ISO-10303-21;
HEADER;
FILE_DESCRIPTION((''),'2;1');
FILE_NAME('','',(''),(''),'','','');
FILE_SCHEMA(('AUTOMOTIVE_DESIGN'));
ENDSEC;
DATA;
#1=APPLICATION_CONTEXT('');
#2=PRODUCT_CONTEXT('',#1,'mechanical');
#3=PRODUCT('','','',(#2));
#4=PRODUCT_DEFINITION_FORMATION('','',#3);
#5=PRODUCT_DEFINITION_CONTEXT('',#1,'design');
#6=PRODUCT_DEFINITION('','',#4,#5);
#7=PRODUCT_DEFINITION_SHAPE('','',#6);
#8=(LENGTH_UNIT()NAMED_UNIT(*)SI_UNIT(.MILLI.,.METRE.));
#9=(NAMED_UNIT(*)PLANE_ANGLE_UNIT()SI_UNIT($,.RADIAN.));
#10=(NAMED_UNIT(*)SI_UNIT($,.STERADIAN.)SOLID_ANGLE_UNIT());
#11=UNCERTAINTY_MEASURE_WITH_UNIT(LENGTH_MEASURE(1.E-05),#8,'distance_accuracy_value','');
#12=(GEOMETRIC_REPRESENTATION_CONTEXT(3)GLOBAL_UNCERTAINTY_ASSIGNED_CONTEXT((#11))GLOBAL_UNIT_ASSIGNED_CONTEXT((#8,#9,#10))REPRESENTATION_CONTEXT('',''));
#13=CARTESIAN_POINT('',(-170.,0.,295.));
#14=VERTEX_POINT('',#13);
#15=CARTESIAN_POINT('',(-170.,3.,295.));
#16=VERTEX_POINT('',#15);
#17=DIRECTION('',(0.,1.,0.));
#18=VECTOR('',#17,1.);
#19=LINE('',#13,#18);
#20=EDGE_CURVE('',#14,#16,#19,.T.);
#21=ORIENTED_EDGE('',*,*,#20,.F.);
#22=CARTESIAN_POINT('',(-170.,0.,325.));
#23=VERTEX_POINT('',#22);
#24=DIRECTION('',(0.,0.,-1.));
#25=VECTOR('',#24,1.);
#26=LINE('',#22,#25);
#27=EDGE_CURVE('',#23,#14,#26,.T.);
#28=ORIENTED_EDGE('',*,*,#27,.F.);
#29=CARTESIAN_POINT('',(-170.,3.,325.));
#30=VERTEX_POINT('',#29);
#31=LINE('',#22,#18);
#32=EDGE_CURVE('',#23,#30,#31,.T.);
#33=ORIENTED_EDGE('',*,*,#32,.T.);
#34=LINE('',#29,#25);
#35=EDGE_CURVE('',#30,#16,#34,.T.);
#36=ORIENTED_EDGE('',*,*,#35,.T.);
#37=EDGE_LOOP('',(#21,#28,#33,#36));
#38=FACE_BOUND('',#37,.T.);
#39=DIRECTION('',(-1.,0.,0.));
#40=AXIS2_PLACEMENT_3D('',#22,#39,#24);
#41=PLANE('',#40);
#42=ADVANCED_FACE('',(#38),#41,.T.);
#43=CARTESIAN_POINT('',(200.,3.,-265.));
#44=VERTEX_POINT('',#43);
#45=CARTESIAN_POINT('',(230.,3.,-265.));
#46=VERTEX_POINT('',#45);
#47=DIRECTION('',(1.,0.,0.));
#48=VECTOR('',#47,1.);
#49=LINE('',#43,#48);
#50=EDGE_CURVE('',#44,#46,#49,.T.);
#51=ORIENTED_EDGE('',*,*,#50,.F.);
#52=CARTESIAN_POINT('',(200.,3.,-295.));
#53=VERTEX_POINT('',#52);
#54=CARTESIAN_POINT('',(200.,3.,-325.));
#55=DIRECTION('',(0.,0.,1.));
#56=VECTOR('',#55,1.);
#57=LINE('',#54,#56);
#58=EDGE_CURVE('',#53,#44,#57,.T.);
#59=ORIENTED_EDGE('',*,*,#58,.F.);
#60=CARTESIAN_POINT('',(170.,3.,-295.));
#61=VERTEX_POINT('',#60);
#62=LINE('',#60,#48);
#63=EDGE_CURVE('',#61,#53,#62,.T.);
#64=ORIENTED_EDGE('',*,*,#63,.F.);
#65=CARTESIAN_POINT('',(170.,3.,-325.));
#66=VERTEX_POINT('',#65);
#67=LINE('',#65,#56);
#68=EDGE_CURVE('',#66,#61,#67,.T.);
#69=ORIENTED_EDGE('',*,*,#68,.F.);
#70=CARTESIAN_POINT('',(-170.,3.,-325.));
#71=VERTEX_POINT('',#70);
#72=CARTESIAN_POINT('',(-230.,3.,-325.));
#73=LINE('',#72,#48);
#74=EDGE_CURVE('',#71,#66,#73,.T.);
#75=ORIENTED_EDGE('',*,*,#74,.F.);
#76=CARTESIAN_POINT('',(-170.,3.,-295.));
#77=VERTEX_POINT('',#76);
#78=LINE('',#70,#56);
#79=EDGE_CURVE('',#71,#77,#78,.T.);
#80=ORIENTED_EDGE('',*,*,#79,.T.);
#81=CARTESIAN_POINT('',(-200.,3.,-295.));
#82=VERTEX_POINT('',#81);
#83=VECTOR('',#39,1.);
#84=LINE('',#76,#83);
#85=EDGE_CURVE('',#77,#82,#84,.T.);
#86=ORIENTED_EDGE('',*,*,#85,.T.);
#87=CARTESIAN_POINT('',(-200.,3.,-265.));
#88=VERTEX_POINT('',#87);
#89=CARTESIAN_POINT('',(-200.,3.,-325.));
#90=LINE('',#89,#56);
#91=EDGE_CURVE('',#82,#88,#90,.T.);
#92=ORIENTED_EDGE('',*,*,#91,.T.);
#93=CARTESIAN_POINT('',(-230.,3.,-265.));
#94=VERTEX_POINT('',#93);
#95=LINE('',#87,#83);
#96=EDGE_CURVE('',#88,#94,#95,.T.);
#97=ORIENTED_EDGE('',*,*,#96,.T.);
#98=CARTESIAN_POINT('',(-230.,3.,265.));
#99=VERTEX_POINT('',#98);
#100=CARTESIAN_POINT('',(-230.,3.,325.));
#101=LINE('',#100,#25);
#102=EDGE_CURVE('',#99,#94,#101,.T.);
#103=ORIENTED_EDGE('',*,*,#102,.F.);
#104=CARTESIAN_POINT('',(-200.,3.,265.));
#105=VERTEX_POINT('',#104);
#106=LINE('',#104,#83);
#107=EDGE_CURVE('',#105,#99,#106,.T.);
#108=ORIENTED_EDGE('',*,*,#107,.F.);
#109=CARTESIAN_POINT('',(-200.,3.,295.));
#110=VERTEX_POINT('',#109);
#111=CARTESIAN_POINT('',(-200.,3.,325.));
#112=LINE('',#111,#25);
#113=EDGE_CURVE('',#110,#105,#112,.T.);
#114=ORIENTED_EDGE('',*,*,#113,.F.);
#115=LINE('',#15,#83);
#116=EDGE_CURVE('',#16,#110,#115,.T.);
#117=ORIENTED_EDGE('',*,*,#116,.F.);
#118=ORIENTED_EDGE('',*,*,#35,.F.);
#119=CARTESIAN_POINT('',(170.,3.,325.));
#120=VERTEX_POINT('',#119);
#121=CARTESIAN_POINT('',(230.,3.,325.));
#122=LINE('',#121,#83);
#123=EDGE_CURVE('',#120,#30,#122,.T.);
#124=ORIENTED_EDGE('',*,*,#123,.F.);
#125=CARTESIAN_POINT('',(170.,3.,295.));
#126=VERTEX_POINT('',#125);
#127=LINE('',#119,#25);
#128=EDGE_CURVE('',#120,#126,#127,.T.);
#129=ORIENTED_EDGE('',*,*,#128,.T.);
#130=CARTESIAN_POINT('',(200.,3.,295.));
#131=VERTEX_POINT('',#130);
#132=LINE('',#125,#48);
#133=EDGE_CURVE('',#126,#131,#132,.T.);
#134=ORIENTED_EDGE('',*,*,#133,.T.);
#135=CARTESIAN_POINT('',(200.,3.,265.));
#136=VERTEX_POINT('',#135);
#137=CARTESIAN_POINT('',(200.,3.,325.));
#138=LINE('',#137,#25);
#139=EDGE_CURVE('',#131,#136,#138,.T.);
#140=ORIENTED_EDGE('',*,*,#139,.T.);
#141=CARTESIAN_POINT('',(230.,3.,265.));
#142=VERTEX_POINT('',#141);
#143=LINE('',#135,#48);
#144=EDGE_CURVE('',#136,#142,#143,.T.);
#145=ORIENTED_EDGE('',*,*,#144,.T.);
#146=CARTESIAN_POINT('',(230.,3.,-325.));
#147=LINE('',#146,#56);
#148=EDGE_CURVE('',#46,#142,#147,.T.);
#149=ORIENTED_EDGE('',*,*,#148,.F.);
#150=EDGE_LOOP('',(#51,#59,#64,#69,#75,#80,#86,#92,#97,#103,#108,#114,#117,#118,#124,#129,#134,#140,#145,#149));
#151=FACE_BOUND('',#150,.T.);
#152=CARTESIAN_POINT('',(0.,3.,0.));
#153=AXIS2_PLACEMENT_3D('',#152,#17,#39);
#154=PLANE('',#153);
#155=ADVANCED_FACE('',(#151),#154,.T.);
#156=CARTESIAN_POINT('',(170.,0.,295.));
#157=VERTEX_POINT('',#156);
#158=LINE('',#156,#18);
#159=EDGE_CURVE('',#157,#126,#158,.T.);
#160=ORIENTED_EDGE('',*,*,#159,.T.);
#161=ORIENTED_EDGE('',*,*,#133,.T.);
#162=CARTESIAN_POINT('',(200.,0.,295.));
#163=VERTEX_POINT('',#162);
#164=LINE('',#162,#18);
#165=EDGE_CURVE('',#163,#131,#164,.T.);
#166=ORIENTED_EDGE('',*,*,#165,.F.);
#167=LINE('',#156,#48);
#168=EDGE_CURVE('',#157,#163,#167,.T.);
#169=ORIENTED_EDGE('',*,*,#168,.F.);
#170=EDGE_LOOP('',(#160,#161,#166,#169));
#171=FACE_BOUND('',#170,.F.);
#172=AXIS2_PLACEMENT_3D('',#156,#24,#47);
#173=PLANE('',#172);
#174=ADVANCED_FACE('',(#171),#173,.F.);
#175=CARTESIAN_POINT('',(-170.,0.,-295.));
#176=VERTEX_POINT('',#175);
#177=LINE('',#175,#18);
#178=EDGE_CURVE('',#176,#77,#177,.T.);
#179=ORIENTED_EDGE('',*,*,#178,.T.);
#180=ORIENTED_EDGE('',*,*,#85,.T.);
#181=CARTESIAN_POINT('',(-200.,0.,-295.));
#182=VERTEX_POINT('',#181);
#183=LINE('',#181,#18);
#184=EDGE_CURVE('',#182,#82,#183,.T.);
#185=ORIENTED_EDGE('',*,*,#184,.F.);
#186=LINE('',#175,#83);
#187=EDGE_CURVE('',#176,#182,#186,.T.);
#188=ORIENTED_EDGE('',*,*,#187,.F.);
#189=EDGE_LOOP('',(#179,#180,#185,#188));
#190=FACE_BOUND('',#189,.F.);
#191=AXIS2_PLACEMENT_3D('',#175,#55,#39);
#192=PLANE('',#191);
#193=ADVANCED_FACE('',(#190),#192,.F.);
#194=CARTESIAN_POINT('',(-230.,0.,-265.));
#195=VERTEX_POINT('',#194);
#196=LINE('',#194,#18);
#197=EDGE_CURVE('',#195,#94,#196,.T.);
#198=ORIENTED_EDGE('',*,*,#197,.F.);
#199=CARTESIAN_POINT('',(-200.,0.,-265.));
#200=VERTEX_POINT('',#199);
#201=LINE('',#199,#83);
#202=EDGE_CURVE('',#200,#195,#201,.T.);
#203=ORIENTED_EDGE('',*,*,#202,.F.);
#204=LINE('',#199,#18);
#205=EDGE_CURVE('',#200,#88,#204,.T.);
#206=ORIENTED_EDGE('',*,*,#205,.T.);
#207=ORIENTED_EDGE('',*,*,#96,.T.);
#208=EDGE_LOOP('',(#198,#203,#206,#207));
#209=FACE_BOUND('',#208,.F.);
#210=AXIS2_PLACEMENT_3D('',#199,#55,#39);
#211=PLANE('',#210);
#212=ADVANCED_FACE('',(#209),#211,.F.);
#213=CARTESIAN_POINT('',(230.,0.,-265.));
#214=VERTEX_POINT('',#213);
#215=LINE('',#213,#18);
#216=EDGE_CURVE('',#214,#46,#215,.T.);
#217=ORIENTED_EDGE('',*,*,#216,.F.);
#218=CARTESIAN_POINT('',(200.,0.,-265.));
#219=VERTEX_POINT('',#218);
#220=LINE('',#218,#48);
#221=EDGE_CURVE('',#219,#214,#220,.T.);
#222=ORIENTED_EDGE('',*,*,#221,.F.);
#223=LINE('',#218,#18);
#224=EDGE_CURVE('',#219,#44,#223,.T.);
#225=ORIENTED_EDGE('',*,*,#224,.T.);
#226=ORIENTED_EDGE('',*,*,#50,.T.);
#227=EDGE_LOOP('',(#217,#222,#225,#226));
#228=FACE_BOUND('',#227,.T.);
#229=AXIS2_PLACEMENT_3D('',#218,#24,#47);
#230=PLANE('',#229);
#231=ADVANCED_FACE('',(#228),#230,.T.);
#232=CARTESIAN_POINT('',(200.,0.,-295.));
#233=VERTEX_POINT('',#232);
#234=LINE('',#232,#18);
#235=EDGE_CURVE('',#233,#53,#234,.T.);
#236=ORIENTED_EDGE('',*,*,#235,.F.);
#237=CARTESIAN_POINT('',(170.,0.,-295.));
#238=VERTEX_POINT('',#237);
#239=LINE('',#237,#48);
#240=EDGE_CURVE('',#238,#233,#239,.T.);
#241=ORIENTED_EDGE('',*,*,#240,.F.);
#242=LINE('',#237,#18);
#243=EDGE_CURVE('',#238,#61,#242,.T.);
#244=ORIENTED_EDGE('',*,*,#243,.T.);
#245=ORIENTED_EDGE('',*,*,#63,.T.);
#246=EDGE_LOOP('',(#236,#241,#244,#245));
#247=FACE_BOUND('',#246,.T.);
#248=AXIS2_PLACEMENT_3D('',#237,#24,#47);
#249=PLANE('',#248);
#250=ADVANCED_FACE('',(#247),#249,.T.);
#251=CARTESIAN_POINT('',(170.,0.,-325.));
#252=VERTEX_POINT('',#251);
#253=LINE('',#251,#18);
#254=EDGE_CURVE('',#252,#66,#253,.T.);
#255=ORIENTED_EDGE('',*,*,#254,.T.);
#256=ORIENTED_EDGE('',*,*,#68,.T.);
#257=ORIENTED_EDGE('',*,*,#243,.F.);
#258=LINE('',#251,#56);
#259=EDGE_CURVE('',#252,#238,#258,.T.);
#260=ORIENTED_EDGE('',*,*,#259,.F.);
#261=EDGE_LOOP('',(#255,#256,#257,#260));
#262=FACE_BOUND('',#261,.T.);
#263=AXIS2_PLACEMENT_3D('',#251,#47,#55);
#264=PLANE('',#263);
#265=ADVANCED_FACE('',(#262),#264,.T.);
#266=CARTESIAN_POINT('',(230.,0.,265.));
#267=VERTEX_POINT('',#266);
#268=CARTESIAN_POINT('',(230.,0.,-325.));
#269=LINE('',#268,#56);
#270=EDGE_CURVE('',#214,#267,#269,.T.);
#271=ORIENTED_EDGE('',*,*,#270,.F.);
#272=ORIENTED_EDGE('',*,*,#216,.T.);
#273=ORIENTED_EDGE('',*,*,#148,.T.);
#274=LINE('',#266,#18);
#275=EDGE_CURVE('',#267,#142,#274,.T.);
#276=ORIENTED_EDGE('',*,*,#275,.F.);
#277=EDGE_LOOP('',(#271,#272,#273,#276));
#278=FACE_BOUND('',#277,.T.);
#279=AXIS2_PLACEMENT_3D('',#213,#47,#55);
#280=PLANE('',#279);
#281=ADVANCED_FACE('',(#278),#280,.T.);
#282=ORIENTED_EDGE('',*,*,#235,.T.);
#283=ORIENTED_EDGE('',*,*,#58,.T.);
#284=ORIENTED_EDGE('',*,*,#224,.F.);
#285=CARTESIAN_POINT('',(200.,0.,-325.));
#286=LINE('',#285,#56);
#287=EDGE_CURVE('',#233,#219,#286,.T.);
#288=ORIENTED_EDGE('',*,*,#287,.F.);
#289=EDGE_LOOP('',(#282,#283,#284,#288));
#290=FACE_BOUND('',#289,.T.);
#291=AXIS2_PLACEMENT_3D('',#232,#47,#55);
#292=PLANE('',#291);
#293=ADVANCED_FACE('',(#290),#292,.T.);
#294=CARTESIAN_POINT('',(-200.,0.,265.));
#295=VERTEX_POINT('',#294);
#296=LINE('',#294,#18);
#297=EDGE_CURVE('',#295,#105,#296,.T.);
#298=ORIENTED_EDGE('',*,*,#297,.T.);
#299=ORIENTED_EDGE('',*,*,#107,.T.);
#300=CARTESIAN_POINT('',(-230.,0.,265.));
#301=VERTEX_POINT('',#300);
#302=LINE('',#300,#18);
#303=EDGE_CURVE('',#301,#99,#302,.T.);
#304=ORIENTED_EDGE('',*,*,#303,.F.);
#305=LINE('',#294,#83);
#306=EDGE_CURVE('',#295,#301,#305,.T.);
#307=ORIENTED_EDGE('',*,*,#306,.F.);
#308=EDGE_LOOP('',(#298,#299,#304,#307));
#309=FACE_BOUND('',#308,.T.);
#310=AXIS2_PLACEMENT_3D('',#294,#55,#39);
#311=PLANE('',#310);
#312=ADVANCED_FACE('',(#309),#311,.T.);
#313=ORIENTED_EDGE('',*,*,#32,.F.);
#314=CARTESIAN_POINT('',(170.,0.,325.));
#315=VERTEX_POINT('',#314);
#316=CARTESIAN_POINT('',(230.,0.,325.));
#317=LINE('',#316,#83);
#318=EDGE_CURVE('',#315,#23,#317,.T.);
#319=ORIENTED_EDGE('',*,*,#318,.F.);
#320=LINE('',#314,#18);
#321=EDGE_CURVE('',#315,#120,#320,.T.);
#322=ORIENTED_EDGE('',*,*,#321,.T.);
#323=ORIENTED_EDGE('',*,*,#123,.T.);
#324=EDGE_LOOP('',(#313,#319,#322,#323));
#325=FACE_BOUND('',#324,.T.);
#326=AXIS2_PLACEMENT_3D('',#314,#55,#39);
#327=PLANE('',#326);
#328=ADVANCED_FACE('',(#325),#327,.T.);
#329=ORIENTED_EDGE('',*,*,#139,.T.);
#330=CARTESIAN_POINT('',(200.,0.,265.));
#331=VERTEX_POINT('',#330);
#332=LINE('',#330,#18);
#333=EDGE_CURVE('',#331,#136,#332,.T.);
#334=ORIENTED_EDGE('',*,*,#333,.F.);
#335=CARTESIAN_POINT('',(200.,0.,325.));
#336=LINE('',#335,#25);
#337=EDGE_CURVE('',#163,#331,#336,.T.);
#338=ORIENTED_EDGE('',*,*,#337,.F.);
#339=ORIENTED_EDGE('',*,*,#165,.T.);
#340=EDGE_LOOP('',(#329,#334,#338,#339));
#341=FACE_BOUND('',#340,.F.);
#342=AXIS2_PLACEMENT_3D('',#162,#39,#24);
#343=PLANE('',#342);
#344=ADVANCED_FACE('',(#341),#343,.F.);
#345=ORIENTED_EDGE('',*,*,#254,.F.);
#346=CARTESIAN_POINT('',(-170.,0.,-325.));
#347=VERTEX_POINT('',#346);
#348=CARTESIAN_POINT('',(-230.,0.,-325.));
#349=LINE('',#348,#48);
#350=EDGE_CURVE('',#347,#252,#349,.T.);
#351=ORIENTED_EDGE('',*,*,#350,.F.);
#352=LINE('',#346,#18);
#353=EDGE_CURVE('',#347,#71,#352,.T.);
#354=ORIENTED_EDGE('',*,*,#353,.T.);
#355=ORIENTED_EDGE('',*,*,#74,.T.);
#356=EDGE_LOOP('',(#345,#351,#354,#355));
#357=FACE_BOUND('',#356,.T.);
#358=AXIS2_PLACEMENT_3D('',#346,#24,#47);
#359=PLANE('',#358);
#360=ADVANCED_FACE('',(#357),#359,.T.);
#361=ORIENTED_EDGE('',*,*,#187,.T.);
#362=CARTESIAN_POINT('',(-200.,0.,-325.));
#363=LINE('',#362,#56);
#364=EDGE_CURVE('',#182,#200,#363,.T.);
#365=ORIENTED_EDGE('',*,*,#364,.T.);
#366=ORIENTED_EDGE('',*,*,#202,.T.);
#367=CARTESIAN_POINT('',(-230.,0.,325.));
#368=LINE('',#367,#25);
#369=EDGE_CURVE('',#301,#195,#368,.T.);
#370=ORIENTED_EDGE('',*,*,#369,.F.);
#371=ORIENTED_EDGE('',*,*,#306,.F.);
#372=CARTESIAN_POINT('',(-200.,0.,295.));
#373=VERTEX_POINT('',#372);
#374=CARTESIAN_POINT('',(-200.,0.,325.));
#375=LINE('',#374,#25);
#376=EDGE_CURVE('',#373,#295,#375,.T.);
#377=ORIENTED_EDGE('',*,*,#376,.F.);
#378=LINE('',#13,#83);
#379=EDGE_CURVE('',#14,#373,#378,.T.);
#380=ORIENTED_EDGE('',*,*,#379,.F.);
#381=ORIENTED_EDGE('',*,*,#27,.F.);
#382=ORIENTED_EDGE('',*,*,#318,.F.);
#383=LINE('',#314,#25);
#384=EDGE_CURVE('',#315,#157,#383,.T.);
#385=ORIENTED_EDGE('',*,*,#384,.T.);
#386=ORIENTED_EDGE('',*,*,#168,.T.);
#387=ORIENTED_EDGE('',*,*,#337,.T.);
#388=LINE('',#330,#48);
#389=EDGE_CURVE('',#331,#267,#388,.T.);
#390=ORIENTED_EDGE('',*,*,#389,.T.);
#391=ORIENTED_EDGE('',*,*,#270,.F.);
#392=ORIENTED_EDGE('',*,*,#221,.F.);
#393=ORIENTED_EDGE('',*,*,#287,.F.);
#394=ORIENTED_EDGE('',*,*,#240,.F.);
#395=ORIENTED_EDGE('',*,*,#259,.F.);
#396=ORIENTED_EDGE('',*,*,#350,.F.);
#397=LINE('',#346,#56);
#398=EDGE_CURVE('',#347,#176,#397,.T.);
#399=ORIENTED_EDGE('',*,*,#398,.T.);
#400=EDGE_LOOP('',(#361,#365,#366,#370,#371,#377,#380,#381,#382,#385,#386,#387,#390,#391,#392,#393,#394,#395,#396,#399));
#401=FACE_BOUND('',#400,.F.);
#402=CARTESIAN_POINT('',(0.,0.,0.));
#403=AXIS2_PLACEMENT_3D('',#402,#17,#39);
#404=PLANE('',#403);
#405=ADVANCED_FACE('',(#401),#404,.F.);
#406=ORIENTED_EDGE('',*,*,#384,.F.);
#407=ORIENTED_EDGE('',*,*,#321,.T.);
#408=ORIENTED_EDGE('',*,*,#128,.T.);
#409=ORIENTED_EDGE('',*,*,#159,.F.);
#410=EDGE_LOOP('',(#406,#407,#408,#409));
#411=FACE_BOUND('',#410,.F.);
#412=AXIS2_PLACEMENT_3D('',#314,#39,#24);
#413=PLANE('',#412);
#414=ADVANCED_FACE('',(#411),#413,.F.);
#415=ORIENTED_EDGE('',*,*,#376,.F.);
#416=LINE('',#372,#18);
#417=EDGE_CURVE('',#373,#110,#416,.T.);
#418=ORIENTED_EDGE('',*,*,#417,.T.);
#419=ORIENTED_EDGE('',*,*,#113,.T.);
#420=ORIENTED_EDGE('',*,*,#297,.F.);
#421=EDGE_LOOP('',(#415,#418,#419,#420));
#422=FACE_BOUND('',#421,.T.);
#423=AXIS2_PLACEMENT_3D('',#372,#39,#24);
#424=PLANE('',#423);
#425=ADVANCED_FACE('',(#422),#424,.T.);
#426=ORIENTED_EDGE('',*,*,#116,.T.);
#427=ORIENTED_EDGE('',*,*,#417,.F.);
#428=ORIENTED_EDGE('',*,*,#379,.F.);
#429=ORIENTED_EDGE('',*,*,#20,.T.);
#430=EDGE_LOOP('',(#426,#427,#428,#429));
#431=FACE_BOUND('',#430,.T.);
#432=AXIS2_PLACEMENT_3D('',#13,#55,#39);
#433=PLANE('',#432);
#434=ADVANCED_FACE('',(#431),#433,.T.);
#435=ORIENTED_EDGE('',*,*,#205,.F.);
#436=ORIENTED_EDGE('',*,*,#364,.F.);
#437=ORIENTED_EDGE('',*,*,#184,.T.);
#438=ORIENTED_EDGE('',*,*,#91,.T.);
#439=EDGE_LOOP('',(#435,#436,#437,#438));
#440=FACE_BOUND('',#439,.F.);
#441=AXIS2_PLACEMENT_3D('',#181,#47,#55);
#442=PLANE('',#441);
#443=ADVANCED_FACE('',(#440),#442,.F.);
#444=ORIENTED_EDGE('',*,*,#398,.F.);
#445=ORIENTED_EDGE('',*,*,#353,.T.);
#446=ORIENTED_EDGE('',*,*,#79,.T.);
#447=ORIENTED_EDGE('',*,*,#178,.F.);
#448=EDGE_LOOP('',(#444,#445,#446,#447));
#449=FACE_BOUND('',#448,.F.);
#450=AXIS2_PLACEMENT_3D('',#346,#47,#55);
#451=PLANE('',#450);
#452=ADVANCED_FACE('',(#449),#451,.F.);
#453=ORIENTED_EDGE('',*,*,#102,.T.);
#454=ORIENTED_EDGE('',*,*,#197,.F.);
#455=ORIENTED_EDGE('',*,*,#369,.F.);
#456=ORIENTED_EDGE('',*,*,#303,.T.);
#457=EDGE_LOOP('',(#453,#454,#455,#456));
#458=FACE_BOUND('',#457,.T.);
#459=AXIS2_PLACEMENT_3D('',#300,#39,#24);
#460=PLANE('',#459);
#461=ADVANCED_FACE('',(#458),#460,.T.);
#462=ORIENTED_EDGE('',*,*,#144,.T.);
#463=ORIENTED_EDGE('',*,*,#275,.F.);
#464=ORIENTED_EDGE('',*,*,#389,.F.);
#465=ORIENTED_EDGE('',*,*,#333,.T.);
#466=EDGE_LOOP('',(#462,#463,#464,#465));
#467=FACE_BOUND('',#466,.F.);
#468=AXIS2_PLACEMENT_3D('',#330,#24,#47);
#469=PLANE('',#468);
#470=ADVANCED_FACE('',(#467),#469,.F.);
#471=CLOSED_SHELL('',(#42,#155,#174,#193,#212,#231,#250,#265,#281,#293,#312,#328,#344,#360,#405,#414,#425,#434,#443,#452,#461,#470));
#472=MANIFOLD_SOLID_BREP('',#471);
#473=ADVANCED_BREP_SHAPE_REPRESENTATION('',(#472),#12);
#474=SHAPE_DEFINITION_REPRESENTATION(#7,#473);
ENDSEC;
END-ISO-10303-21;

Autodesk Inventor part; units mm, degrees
sketch "Эскиз1" plane through (0, 0, 0) normal (0, 1, 0) x (-1, 0, 0)
  line L0 (230, -325) -> (-230, -325)
  line L1 (-230, -325) -> (-230, 325)
  line L2 (-230, 325) -> (230, 325)
  line L3 (230, 325) -> (230, -325)
  line L4 (230, -325) -> (-230, 325) construction
  line L5 (-230, -325) -> (230, 325) construction
  line L6 (-230, -325) -> (-170, -325)
  line L7 (-170, -325) -> (-170, -295)
  line L8 (-170, -295) -> (-230, -295)
  line L9 (-230, -295) -> (-230, -325)
  line L10 (-230, -325) -> (-200, -325)
  line L11 (-200, -325) -> (-200, -265)
  line L12 (-200, -265) -> (-230, -265)
  line L13 (-230, -265) -> (-230, -325)
  line L14 (-230, 0) -> (230, 0) construction
  line L15 (0, -325) -> (0, 325) construction
  line L16 (-230, 325) -> (-170, 325)
  line L17 (-170, 325) -> (-170, 295)
  line L18 (-170, 295) -> (-230, 295)
  line L19 (-230, 295) -> (-230, 325)
  line L20 (-230, 325) -> (-200, 325)
  line L21 (-200, 325) -> (-200, 265)
  line L22 (-200, 265) -> (-230, 265)
  line L23 (-230, 265) -> (-230, 325)
  line L24 (230, -325) -> (170, -325)
  line L25 (170, -325) -> (170, -295)
  line L26 (170, -295) -> (230, -295)
  line L27 (230, -295) -> (230, -325)
  line L28 (230, -325) -> (200, -325)
  line L29 (200, -325) -> (200, -265)
  line L30 (200, -265) -> (230, -265)
  line L31 (230, -265) -> (230, -325)
  line L32 (170, 295) -> (230, 295)
  line L33 (230, 325) -> (170, 325)
  line L34 (170, 325) -> (170, 295)
  line L35 (230, 295) -> (230, 325)
  line L36 (230, 325) -> (200, 325)
  line L37 (200, 325) -> (200, 265)
  line L38 (230, 265) -> (230, 325)
  line L39 (200, 265) -> (230, 265)
  point P0 (0, 0)
  point P1 (200, 295)
  point P2 (-200, 295)
  point P3 (-200, -295)
  point P4 (200, -295)
  dimension "d0" = 650
  dimension "d1" = 460
  dimension "d2" = 30
  dimension "d3" = 60
extrude "Выдавливание1" add sketch "Эскиз1" along normal blind 3 contours L0 L7 L8 L11 L12 L1 L22 L21 L18 L17 L2 L34 L32 L37 L39 L3 L30 L29 L26 L25
properties part number "Фанера платформы"
